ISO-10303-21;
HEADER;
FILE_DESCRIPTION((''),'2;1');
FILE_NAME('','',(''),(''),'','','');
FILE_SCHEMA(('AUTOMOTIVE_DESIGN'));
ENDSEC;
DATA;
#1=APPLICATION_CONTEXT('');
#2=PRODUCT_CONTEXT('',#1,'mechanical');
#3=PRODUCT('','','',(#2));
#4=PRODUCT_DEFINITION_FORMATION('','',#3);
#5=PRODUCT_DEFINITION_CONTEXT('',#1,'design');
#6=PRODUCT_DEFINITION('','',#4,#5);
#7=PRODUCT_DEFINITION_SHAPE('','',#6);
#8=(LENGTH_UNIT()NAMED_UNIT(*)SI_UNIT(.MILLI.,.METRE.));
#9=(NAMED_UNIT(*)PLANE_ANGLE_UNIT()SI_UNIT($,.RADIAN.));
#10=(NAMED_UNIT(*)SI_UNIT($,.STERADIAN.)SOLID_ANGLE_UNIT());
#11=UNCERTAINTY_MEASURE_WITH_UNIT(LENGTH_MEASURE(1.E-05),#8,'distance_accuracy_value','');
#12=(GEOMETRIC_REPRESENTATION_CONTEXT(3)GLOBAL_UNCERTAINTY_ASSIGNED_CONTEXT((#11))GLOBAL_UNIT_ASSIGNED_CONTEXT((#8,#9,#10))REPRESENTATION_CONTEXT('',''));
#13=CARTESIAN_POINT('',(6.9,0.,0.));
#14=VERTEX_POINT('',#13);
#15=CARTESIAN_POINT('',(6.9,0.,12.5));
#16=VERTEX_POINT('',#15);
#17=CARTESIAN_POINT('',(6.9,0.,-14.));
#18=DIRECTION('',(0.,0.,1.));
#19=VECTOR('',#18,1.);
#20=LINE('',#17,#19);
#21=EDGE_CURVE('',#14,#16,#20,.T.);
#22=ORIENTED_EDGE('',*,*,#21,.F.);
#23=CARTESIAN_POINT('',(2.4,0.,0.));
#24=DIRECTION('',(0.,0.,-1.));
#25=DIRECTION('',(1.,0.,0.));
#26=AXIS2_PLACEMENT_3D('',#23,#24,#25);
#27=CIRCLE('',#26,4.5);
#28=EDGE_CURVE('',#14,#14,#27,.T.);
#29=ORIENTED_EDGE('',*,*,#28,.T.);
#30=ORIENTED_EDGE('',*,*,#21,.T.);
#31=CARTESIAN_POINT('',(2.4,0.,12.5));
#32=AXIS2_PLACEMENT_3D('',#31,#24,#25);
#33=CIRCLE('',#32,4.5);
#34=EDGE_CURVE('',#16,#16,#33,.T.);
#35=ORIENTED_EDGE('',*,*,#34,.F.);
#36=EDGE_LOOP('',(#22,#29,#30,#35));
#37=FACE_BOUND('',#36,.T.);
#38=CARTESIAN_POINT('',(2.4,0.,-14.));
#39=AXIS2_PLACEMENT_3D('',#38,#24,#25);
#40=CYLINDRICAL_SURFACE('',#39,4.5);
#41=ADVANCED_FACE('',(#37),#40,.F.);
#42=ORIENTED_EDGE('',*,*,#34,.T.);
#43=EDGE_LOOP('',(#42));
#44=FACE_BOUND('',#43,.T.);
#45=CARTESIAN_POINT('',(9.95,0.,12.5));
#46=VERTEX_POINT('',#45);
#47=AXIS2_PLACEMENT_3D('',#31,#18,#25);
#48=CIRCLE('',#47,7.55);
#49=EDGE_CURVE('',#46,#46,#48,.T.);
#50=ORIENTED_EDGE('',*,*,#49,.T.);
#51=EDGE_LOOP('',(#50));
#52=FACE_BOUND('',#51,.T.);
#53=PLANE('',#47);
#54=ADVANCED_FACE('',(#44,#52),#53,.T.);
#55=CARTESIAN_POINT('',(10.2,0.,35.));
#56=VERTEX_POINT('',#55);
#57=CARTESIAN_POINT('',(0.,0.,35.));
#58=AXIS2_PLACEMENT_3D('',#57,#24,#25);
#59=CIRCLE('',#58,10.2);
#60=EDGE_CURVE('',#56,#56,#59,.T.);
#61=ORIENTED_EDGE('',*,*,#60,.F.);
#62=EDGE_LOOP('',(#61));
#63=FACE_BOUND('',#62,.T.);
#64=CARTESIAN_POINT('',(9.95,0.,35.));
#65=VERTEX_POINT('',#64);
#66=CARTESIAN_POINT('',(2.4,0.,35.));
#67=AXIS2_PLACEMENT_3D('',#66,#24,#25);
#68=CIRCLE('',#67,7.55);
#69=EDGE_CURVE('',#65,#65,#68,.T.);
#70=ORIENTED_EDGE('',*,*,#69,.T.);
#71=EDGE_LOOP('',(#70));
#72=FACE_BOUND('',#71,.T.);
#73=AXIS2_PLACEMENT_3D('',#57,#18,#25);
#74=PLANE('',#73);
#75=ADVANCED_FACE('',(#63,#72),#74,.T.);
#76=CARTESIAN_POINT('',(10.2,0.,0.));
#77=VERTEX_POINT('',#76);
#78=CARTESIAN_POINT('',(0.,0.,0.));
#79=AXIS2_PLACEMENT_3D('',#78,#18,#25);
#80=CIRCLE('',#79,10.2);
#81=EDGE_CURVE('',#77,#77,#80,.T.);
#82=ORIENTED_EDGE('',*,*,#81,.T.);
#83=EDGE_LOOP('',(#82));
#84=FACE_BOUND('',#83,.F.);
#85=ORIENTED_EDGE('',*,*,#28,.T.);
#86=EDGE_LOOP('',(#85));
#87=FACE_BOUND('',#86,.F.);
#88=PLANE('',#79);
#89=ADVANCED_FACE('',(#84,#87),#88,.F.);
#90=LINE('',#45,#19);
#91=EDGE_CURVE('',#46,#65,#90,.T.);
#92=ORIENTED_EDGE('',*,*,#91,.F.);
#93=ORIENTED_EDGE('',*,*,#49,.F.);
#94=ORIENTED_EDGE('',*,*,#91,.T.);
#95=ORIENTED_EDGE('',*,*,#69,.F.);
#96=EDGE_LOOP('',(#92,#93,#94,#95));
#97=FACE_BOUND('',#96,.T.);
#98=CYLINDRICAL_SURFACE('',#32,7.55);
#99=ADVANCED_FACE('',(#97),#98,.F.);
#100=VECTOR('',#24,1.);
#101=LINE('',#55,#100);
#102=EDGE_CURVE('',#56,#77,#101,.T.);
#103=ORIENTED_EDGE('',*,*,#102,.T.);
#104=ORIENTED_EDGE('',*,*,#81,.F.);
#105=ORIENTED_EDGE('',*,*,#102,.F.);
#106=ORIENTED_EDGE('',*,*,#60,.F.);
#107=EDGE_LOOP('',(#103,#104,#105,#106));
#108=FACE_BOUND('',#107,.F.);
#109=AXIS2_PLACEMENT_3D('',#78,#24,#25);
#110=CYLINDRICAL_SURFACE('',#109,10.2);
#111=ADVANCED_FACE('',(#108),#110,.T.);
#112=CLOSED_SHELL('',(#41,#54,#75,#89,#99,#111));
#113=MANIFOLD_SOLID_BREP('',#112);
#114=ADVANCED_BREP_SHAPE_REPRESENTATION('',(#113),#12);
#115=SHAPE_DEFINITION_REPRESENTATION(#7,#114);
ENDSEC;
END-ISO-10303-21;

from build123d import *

# Parameters (mm, degrees)
CYLINDER005_R     = 10.2
CYLINDER005_DEPTH = 4
CYLINDER006_R     = 14
CYLINDER006_DEPTH = 4
BOX_W             = 30
BOX_H             = 30
BOX_DEPTH         = 36
CYLINDER004_R     = 4.5
CYLINDER004_DEPTH = 100
CYLINDER_R        = 7.55
CYLINDER_DEPTH    = 45
CYLINDER001_R     = 10.2
CYLINDER001_DEPTH = 70
CYLINDER002_R     = 13
CYLINDER002_DEPTH = 4
CYLINDER003_R     = 13
CYLINDER003_DEPTH = 4


with BuildPart() as cilindro001:
    # Cylinder005 → Cylinder005 (new body)
    with BuildSketch(Plane.XY):
        Circle(CYLINDER005_R)
    extrude(amount=CYLINDER005_DEPTH)


with BuildPart() as cut003:
    # Cylinder006 → Cylinder006 (new body)
    with BuildSketch(Plane.XY):
        Circle(CYLINDER006_R)
    extrude(amount=CYLINDER006_DEPTH)

    # Cut003: cut Cilindro001
    add(cilindro001.part, mode=Mode.SUBTRACT)


with BuildPart() as cubo:
    # Box → Box (new body)
    with BuildSketch(Plane(origin=(-15, -15, 35), x_dir=(1, 0, 0), z_dir=(0, 0, 1))):
        with Locations((15, 15)):
            Rectangle(BOX_W, BOX_H)
    extrude(amount=BOX_DEPTH)


with BuildPart() as cilindro:
    # Cylinder004 → Cylinder004 (new body)
    with BuildSketch(Plane(origin=(2.4, 0, -14), x_dir=(1, 0, 0), z_dir=(0, 0, 1))):
        Circle(CYLINDER004_R)
    extrude(amount=CYLINDER004_DEPTH)


with BuildPart() as rodamiento:
    # Cylinder → Cylinder (new body)
    with BuildSketch(Plane(origin=(2.4, 0, 12.5), x_dir=(1, 0, 0), z_dir=(0, 0, 1))):
        Circle(CYLINDER_R)
    extrude(amount=CYLINDER_DEPTH)


with BuildPart() as pieza_azul:
    # Cylinder001 → Cylinder001 (new body)
    with BuildSketch(Plane.XY):
        Circle(CYLINDER001_R)
    extrude(amount=CYLINDER001_DEPTH)


with BuildPart() as tapa1:
    # Cylinder002 → Cylinder002 (new body)
    with BuildSketch(Plane.XY):
        Circle(CYLINDER002_R)
    extrude(amount=CYLINDER002_DEPTH)


with BuildPart() as cut004:
    # Cylinder003 → Cylinder003 (new body)
    with BuildSketch(Plane.XY.offset(66)):
        Circle(CYLINDER003_R)
    extrude(amount=CYLINDER003_DEPTH)

    # Fusion: union pieza_azul, tapa1
    add(pieza_azul.part)
    add(tapa1.part)

    # Cut: cut rodamiento
    add(rodamiento.part, mode=Mode.SUBTRACT)

    # Cut001: cut Cilindro
    add(cilindro.part, mode=Mode.SUBTRACT)

    # Cut002: cut Cubo
    add(cubo.part, mode=Mode.SUBTRACT)

    # Cut004: cut Cut003
    add(cut003.part, mode=Mode.SUBTRACT)


solid = cut004.part
